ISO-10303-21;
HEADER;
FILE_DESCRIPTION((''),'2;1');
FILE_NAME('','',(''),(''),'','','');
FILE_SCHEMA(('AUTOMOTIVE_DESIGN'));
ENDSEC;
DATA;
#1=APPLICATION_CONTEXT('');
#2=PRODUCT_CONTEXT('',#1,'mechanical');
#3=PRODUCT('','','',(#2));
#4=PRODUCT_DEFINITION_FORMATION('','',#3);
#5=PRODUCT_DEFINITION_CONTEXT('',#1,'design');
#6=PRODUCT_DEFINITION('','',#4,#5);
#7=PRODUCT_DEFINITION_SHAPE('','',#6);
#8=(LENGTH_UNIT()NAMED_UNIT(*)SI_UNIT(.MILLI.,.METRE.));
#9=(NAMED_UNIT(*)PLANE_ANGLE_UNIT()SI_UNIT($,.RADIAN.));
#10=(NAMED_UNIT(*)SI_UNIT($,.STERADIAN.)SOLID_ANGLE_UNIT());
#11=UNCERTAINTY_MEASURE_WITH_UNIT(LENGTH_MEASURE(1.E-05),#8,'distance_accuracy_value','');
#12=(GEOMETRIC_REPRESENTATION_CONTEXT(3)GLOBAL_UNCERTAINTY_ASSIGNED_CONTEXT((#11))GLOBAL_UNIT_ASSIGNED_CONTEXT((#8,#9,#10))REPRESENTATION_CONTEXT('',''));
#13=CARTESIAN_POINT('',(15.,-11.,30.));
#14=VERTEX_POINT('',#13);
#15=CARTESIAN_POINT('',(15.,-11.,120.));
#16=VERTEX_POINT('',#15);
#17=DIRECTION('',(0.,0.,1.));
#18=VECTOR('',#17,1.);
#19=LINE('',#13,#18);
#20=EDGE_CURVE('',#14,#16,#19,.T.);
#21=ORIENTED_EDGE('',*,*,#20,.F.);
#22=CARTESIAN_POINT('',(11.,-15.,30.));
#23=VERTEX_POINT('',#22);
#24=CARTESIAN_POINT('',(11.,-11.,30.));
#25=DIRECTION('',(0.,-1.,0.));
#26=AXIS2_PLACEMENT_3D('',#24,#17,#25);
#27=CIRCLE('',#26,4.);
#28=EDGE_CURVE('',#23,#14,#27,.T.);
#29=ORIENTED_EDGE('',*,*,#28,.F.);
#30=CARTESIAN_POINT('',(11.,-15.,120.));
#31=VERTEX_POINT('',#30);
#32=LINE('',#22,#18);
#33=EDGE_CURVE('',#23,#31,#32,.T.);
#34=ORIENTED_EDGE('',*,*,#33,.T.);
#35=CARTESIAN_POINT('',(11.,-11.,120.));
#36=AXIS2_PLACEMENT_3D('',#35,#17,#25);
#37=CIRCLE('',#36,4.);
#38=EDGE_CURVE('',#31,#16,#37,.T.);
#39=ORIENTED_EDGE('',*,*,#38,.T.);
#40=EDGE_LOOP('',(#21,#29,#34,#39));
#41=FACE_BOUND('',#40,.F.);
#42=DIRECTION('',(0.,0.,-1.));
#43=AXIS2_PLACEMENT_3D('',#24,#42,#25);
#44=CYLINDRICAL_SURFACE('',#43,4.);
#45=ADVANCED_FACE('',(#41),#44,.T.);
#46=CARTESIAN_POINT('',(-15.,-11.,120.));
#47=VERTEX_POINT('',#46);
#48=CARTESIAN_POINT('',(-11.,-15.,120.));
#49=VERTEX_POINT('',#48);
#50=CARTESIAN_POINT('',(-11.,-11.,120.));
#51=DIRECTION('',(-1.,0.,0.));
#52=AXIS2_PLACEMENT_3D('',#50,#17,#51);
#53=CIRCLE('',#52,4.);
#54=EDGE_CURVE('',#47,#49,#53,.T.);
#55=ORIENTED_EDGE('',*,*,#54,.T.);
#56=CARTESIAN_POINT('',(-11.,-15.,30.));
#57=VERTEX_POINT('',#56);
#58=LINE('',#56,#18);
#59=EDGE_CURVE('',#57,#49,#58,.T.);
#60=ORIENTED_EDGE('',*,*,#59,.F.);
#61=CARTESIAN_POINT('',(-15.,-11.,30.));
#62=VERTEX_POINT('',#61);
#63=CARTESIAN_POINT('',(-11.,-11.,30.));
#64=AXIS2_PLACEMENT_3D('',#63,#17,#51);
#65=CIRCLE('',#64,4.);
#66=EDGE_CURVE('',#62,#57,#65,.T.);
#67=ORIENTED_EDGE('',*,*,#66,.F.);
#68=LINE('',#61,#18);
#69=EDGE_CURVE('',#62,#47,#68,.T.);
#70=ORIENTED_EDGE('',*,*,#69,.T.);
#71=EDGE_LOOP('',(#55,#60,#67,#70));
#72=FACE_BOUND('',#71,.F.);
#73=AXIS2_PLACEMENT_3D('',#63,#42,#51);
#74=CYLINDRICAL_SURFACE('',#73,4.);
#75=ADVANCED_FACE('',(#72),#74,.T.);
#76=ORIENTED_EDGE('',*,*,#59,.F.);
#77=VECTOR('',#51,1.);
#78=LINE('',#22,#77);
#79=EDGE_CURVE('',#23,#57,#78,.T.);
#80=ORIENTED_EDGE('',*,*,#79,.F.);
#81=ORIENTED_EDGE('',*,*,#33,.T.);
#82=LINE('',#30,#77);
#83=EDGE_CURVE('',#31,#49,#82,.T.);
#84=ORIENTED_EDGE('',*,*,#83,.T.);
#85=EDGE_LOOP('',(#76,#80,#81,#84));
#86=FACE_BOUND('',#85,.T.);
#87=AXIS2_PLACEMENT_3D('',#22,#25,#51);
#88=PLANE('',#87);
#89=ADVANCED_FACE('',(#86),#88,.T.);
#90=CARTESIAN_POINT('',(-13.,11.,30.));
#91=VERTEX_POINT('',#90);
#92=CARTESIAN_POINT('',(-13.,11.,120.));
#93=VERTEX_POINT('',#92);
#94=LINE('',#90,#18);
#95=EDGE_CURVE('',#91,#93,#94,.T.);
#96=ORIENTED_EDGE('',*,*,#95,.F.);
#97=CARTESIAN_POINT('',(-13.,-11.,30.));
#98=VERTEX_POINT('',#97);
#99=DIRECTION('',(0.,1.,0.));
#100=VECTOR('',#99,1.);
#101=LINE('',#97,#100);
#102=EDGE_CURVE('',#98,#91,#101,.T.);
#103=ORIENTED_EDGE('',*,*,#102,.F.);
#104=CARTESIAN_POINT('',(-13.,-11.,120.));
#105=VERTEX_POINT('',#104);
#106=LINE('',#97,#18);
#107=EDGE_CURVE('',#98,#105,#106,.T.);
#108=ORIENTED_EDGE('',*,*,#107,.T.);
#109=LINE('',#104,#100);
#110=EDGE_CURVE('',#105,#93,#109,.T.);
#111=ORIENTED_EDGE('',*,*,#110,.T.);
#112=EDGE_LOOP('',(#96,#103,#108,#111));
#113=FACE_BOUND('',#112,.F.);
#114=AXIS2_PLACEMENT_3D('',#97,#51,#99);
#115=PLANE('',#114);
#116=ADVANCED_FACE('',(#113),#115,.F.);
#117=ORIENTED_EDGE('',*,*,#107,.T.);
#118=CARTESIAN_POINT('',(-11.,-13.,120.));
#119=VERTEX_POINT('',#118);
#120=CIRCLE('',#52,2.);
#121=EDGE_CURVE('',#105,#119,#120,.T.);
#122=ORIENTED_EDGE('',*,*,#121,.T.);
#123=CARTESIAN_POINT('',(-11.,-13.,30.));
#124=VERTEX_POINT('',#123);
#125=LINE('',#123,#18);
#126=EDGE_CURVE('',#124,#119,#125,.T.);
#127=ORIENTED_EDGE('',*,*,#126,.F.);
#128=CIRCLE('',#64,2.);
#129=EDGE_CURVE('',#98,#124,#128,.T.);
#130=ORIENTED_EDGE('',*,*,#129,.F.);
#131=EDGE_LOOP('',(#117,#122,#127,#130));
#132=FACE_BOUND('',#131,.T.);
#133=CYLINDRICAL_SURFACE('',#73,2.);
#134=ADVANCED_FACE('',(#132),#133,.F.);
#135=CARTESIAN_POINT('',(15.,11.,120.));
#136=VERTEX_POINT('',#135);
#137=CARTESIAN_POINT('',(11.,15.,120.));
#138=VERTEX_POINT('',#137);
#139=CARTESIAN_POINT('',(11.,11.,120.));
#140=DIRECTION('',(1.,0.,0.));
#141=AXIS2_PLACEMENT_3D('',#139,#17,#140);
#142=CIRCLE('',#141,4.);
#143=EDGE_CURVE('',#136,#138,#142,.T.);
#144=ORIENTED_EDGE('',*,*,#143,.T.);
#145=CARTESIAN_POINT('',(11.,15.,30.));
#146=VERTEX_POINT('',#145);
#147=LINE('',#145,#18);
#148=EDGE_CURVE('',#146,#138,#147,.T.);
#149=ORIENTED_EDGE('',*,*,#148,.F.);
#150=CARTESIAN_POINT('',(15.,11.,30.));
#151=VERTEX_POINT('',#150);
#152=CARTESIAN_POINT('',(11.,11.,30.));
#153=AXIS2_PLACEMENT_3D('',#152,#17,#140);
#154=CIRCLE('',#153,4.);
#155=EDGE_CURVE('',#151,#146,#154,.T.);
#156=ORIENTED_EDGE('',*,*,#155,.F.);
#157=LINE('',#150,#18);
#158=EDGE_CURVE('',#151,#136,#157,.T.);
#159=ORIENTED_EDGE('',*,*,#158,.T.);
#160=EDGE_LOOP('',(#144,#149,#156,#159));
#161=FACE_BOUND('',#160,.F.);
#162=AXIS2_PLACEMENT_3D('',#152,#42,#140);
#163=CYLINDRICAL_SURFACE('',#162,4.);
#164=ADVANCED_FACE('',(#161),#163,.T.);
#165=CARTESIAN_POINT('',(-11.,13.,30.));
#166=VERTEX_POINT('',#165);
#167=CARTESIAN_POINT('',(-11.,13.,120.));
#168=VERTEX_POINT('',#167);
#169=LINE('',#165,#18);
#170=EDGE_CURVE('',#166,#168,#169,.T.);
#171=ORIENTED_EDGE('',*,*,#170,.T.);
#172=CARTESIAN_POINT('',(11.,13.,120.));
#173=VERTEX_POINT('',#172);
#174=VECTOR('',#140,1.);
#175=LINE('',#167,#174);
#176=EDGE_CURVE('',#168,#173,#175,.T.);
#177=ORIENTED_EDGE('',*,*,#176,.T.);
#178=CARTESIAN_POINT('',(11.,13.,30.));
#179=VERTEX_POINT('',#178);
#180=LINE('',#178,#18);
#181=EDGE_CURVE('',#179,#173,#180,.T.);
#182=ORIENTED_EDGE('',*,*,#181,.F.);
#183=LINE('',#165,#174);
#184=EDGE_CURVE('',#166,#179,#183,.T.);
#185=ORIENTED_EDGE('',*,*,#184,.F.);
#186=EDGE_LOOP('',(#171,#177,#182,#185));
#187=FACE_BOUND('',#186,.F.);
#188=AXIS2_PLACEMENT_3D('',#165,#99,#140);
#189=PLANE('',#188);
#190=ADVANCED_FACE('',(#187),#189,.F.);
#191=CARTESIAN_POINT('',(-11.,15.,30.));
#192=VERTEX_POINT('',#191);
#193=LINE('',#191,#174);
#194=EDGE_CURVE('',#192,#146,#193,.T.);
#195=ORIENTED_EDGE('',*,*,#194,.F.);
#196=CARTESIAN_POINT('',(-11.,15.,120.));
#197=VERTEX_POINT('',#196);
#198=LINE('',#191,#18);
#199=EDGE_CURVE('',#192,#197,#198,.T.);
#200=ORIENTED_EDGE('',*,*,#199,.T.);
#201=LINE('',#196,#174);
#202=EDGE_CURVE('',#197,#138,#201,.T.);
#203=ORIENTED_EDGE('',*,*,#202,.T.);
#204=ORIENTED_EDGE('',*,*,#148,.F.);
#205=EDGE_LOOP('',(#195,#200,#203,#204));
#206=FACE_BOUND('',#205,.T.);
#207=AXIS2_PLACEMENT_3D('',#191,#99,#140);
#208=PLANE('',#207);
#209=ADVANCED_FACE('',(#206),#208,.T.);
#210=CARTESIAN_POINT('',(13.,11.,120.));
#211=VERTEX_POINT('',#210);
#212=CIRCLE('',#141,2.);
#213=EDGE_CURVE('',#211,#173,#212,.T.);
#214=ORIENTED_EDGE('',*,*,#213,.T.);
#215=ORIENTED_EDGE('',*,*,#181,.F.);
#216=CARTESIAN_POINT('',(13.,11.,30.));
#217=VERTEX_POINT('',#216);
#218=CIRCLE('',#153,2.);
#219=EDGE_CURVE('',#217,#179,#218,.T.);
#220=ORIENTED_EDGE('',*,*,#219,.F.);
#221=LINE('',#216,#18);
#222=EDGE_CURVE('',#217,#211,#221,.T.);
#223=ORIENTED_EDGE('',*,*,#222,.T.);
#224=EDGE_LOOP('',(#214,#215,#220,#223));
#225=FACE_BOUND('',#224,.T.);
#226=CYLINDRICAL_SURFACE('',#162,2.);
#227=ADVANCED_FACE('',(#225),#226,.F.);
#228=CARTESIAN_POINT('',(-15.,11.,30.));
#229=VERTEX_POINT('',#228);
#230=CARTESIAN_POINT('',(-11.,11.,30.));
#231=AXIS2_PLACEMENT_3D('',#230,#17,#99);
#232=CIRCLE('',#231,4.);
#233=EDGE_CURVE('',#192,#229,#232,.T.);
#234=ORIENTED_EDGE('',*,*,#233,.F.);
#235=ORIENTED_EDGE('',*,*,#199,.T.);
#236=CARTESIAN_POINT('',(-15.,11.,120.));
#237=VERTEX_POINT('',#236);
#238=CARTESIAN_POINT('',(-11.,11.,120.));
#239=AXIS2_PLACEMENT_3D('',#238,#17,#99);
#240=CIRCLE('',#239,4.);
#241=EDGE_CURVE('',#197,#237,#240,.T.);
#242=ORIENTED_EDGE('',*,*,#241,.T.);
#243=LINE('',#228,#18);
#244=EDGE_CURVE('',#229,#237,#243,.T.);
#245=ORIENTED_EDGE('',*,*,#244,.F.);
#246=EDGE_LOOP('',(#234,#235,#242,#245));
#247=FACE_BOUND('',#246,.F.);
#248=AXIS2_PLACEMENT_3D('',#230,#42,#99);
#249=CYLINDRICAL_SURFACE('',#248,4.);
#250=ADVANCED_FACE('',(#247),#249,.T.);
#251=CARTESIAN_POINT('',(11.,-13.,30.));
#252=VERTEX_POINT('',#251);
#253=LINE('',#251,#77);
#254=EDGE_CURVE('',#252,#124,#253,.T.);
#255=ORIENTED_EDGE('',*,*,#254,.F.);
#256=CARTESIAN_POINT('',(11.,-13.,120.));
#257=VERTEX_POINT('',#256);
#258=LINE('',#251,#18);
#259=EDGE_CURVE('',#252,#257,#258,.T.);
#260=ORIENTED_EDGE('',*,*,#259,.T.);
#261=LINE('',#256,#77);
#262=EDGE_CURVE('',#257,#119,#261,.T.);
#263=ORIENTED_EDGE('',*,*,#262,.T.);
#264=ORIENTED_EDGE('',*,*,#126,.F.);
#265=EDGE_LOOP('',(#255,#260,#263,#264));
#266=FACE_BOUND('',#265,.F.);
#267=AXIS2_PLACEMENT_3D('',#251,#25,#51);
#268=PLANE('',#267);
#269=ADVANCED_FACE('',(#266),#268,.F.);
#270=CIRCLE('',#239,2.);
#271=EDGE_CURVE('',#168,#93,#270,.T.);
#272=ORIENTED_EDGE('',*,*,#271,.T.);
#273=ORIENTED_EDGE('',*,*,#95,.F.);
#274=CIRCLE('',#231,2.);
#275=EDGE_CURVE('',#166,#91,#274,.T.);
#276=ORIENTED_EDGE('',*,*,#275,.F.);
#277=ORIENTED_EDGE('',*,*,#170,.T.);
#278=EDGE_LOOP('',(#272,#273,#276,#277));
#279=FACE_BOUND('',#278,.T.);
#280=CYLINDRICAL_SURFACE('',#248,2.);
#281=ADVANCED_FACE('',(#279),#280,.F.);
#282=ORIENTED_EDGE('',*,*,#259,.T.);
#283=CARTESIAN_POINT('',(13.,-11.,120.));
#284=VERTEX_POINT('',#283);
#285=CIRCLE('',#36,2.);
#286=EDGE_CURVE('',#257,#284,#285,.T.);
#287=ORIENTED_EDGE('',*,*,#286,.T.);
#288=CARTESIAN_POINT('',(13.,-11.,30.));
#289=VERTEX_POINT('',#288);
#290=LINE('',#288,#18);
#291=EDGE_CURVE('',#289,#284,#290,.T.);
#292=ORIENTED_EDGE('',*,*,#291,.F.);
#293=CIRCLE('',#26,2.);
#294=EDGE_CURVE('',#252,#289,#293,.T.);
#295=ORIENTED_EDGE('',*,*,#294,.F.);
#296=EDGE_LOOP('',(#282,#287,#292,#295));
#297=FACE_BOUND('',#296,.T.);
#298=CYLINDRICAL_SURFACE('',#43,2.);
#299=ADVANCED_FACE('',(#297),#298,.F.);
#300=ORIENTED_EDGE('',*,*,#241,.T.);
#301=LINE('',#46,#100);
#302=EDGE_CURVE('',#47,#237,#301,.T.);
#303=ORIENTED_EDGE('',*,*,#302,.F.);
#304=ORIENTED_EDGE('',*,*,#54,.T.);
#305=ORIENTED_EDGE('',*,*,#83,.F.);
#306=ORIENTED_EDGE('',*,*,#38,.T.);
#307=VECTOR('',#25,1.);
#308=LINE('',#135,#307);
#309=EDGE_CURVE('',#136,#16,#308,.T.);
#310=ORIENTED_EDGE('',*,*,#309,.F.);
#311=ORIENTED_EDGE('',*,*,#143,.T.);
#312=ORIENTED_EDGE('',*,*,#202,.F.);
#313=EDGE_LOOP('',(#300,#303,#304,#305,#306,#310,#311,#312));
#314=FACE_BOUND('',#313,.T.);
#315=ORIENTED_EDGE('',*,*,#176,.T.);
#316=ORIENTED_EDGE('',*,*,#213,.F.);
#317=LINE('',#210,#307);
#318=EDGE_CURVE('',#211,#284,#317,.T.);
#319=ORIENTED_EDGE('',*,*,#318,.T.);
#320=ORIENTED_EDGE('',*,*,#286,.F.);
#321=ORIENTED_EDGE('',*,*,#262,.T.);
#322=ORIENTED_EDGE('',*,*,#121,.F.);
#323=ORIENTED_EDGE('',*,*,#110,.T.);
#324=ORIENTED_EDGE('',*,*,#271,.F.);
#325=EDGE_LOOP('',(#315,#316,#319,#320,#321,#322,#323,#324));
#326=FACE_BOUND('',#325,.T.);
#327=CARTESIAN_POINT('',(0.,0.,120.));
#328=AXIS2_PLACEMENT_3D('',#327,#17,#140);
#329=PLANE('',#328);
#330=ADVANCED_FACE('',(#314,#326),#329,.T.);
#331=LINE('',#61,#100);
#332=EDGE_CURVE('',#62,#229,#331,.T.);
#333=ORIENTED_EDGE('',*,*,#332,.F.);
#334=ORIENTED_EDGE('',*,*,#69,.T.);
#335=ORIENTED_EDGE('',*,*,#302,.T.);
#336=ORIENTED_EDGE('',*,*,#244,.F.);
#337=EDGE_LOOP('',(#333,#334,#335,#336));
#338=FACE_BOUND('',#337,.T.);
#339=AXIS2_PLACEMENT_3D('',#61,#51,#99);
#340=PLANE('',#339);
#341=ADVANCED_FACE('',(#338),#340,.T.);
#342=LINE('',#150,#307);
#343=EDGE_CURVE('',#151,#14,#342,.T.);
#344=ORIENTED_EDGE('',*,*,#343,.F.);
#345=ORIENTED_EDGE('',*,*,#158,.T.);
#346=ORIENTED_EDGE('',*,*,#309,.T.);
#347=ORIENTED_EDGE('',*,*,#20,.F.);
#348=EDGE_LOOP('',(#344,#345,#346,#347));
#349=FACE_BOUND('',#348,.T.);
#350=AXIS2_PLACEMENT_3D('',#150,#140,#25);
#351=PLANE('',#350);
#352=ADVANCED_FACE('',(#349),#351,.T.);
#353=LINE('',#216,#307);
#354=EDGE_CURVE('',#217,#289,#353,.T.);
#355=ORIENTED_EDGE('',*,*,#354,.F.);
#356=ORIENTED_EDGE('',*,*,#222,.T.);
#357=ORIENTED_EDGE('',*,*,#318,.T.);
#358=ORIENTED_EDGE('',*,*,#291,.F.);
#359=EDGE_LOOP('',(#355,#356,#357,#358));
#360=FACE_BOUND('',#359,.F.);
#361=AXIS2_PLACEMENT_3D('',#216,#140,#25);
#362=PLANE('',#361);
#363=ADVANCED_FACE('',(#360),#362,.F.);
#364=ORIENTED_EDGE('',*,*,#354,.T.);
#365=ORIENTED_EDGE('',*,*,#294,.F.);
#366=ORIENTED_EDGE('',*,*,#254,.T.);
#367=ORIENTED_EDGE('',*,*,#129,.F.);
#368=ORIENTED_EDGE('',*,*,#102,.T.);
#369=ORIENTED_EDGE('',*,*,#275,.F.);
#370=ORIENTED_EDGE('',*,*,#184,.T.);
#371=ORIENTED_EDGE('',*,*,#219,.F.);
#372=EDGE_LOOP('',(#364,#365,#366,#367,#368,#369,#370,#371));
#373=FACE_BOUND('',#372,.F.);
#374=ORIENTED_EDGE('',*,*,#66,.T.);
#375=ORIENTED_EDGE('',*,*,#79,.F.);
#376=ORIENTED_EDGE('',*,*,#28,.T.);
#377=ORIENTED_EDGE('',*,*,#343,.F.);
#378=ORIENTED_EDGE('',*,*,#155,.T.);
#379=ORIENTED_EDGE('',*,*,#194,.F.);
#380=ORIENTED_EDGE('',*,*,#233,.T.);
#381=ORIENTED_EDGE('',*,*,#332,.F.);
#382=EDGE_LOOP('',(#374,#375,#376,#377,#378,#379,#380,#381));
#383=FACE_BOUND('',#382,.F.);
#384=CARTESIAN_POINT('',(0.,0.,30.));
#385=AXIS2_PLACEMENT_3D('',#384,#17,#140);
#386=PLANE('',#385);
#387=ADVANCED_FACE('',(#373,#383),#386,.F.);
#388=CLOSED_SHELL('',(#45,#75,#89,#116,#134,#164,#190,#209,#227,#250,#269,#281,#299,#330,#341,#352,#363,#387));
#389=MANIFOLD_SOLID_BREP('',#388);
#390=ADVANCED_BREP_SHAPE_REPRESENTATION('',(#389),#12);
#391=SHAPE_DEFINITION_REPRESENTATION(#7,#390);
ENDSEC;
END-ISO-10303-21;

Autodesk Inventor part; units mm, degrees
ref_plane "Plano inicial" through (0, 0, 30) normal (0, 0, 1) x (1, 0, 0)
ref_plane "Plano final" through (0, 0, 120) normal (0, 0, 1) x (1, 0, 0)
sketch "Esboço" plane through (0, 0, 0) normal (0, 0, 1) x (1, 0, 0)
  line L0 (-15, -11) -> (-15, 11)
  line L1 (-11, 15) -> (11, 15)
  line L2 (15, 11) -> (15, -11)
  line L3 (11, -15) -> (-11, -15)
  arc A0 (-15, -11) -> (-11, -15) centre (-11, -11) ccw
  arc A1 (15, 11) -> (11, 15) centre (11, 11) ccw
  arc A2 (-11, 15) -> (-15, 11) centre (-11, 11) ccw
  arc A3 (11, -15) -> (15, -11) centre (11, -11) ccw
  arc A4 (-11, 13) -> (-13, 11) centre (-11, 11) ccw
  line L4 (-11, 13) -> (11, 13)
  arc A5 (13, 11) -> (11, 13) centre (11, 11) ccw
  line L5 (13, 11) -> (13, -11)
  arc A6 (11, -13) -> (13, -11) centre (11, -11) ccw
  line L6 (11, -13) -> (-11, -13)
  arc A7 (-13, -11) -> (-11, -13) centre (-11, -11) ccw
  line L7 (-13, -11) -> (-13, 11)
  line L8 (0, 22.1598) -> (0, -22.1598) construction
  line L9 (-22.1598, 0) -> (22.1598, 0) construction
  dimension "d7" = 4
  dimension "d9" = 30
  dimension "d11" = 30
  dimension "d12" = 2
  dimension "d15" = 15
  dimension "d16" = 15
extrude "Corpo" add sketch "Esboço" along normal up to surface (90 mm away) from surface at 30
sketch "Sketch3" plane through (0, 0, 0) normal (0, 0, 1) x (1, 0, 0)
  line L0 (0, 0) -> (10, 0)
ref_plane "Work Plane3" through (0, 0, 0) normal (0, -1, 0) x (1, 0, 0)
sketch "Sketch4" plane through (0, 0, 0) normal (0, -1, 0) x (1, 0, 0)
  line L0 (-2, 30) -> (12, 30)
  line L1 (-2, 120) -> (12, 120)
  dimension "d18" = 90
ref_plane "Plano de trabalho4" through (-535, 0, 120) normal (0, 0, 1) x (1, 0, 0)
split "Dividir1" plane through (-535, 0, 120) removes the side toward (0, 0, 1)
ref_plane "Plano de trabalho5" through (-535, 0, 30) normal (0, 0, -1) x (-1, 0, 0)
split "Dividir2" plane through (-535, 0, 30) removes the side toward (0, 0, -1)
equation "\"d7\" = G_IR"
equation "\"d9\" = G_W"
equation "\"d11\" = G_H"
equation "\"d12\" = G_T"
equation "\"d15\" = 0.5 * d9"
equation "\"d16\" = 0.5 * d11"
equation "\"d3\" = G_L"
equation "\"G_W\" = 30"
equation "\"G_H\" = 30"
equation "\"G_T\" = 2"
equation "\"G_IR\" = 4"
equation "\"G_L\" = d18"
properties part number "ISO 10799-2 - 30x30x2 - 90" material "Aço, suave"
